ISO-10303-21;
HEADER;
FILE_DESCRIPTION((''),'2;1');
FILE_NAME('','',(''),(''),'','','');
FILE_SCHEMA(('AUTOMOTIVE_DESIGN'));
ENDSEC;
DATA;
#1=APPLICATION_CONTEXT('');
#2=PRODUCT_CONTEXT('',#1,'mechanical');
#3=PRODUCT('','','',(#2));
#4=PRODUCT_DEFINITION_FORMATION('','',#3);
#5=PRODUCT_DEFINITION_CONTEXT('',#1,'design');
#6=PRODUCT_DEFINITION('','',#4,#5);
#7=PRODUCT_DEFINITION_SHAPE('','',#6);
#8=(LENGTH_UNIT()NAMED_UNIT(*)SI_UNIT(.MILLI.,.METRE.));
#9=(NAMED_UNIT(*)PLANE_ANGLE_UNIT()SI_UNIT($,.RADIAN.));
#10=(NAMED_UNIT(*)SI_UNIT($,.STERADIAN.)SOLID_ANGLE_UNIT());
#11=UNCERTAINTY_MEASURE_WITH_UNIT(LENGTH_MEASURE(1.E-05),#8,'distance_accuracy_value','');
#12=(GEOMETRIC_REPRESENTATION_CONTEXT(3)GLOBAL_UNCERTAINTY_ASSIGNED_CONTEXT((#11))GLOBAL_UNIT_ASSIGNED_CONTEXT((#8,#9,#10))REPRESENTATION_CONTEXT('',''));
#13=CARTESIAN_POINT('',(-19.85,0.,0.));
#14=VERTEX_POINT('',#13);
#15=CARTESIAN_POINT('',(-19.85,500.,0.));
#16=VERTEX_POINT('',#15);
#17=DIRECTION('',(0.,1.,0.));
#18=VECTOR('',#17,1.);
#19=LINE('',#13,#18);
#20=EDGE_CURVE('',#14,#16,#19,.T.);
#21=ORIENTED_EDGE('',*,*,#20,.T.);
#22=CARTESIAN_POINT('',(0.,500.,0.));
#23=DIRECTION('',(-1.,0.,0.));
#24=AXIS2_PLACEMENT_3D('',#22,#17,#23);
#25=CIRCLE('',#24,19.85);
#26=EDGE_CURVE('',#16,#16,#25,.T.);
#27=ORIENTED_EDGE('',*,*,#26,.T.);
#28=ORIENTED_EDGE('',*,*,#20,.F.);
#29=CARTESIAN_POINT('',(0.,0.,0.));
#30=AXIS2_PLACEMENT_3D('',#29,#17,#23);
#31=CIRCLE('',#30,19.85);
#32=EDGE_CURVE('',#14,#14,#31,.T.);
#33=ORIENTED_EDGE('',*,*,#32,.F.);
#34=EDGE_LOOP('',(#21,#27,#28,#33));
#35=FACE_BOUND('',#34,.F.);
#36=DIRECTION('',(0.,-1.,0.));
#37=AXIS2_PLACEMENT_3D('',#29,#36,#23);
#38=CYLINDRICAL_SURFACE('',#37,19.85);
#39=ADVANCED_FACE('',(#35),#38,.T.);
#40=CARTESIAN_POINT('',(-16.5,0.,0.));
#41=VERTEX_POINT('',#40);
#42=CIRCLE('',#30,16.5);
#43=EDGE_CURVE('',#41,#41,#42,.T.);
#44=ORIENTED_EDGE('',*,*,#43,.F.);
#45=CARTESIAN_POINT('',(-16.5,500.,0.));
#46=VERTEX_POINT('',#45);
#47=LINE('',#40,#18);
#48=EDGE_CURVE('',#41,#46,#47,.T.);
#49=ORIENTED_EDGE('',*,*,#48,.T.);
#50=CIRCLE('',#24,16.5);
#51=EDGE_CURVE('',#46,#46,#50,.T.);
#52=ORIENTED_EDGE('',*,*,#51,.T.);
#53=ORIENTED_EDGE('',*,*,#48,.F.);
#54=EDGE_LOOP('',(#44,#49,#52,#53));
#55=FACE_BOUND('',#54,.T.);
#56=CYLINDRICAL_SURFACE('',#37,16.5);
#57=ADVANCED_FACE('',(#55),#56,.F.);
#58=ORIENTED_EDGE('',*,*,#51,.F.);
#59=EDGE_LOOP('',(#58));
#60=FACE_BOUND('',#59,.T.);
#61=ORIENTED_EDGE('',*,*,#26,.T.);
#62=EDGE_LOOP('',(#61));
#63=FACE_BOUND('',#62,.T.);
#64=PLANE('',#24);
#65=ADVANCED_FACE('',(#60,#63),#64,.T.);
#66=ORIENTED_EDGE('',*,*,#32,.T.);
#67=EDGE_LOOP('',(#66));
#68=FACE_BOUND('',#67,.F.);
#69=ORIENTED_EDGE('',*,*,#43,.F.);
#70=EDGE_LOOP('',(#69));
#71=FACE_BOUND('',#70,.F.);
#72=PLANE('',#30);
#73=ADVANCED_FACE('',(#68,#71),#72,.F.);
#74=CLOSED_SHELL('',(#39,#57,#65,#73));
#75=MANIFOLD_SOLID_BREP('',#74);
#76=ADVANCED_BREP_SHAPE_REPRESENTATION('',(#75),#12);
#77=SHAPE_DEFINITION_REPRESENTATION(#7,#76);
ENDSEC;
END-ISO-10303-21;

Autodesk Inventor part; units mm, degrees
ref_plane "YZ Plane" through (0, 0, 0) normal (1, 0, 0) x (0, 1, 0)
ref_plane "XZ Plane" through (0, 0, 0) normal (0, 1, 0) x (-1, 0, 0)
ref_plane "XY Plane" through (0, 0, 0) normal (0, 0, 1) x (1, 0, 0)
sketch "Boceto1" plane through (0, 0, 0) normal (0, 1, 0) x (-1, 0, 0)
  circle A0 centre (0, 0) radius 16.5
  circle A1 centre (0, 0) radius 19.85
  dimension "d0" = 33
  dimension "d1" = 39.7
extrude "Extrusión1" add sketch "Boceto1" along normal blind 500
properties part number "Tubo33mmx50cm" material "Policarbonato, claro"
